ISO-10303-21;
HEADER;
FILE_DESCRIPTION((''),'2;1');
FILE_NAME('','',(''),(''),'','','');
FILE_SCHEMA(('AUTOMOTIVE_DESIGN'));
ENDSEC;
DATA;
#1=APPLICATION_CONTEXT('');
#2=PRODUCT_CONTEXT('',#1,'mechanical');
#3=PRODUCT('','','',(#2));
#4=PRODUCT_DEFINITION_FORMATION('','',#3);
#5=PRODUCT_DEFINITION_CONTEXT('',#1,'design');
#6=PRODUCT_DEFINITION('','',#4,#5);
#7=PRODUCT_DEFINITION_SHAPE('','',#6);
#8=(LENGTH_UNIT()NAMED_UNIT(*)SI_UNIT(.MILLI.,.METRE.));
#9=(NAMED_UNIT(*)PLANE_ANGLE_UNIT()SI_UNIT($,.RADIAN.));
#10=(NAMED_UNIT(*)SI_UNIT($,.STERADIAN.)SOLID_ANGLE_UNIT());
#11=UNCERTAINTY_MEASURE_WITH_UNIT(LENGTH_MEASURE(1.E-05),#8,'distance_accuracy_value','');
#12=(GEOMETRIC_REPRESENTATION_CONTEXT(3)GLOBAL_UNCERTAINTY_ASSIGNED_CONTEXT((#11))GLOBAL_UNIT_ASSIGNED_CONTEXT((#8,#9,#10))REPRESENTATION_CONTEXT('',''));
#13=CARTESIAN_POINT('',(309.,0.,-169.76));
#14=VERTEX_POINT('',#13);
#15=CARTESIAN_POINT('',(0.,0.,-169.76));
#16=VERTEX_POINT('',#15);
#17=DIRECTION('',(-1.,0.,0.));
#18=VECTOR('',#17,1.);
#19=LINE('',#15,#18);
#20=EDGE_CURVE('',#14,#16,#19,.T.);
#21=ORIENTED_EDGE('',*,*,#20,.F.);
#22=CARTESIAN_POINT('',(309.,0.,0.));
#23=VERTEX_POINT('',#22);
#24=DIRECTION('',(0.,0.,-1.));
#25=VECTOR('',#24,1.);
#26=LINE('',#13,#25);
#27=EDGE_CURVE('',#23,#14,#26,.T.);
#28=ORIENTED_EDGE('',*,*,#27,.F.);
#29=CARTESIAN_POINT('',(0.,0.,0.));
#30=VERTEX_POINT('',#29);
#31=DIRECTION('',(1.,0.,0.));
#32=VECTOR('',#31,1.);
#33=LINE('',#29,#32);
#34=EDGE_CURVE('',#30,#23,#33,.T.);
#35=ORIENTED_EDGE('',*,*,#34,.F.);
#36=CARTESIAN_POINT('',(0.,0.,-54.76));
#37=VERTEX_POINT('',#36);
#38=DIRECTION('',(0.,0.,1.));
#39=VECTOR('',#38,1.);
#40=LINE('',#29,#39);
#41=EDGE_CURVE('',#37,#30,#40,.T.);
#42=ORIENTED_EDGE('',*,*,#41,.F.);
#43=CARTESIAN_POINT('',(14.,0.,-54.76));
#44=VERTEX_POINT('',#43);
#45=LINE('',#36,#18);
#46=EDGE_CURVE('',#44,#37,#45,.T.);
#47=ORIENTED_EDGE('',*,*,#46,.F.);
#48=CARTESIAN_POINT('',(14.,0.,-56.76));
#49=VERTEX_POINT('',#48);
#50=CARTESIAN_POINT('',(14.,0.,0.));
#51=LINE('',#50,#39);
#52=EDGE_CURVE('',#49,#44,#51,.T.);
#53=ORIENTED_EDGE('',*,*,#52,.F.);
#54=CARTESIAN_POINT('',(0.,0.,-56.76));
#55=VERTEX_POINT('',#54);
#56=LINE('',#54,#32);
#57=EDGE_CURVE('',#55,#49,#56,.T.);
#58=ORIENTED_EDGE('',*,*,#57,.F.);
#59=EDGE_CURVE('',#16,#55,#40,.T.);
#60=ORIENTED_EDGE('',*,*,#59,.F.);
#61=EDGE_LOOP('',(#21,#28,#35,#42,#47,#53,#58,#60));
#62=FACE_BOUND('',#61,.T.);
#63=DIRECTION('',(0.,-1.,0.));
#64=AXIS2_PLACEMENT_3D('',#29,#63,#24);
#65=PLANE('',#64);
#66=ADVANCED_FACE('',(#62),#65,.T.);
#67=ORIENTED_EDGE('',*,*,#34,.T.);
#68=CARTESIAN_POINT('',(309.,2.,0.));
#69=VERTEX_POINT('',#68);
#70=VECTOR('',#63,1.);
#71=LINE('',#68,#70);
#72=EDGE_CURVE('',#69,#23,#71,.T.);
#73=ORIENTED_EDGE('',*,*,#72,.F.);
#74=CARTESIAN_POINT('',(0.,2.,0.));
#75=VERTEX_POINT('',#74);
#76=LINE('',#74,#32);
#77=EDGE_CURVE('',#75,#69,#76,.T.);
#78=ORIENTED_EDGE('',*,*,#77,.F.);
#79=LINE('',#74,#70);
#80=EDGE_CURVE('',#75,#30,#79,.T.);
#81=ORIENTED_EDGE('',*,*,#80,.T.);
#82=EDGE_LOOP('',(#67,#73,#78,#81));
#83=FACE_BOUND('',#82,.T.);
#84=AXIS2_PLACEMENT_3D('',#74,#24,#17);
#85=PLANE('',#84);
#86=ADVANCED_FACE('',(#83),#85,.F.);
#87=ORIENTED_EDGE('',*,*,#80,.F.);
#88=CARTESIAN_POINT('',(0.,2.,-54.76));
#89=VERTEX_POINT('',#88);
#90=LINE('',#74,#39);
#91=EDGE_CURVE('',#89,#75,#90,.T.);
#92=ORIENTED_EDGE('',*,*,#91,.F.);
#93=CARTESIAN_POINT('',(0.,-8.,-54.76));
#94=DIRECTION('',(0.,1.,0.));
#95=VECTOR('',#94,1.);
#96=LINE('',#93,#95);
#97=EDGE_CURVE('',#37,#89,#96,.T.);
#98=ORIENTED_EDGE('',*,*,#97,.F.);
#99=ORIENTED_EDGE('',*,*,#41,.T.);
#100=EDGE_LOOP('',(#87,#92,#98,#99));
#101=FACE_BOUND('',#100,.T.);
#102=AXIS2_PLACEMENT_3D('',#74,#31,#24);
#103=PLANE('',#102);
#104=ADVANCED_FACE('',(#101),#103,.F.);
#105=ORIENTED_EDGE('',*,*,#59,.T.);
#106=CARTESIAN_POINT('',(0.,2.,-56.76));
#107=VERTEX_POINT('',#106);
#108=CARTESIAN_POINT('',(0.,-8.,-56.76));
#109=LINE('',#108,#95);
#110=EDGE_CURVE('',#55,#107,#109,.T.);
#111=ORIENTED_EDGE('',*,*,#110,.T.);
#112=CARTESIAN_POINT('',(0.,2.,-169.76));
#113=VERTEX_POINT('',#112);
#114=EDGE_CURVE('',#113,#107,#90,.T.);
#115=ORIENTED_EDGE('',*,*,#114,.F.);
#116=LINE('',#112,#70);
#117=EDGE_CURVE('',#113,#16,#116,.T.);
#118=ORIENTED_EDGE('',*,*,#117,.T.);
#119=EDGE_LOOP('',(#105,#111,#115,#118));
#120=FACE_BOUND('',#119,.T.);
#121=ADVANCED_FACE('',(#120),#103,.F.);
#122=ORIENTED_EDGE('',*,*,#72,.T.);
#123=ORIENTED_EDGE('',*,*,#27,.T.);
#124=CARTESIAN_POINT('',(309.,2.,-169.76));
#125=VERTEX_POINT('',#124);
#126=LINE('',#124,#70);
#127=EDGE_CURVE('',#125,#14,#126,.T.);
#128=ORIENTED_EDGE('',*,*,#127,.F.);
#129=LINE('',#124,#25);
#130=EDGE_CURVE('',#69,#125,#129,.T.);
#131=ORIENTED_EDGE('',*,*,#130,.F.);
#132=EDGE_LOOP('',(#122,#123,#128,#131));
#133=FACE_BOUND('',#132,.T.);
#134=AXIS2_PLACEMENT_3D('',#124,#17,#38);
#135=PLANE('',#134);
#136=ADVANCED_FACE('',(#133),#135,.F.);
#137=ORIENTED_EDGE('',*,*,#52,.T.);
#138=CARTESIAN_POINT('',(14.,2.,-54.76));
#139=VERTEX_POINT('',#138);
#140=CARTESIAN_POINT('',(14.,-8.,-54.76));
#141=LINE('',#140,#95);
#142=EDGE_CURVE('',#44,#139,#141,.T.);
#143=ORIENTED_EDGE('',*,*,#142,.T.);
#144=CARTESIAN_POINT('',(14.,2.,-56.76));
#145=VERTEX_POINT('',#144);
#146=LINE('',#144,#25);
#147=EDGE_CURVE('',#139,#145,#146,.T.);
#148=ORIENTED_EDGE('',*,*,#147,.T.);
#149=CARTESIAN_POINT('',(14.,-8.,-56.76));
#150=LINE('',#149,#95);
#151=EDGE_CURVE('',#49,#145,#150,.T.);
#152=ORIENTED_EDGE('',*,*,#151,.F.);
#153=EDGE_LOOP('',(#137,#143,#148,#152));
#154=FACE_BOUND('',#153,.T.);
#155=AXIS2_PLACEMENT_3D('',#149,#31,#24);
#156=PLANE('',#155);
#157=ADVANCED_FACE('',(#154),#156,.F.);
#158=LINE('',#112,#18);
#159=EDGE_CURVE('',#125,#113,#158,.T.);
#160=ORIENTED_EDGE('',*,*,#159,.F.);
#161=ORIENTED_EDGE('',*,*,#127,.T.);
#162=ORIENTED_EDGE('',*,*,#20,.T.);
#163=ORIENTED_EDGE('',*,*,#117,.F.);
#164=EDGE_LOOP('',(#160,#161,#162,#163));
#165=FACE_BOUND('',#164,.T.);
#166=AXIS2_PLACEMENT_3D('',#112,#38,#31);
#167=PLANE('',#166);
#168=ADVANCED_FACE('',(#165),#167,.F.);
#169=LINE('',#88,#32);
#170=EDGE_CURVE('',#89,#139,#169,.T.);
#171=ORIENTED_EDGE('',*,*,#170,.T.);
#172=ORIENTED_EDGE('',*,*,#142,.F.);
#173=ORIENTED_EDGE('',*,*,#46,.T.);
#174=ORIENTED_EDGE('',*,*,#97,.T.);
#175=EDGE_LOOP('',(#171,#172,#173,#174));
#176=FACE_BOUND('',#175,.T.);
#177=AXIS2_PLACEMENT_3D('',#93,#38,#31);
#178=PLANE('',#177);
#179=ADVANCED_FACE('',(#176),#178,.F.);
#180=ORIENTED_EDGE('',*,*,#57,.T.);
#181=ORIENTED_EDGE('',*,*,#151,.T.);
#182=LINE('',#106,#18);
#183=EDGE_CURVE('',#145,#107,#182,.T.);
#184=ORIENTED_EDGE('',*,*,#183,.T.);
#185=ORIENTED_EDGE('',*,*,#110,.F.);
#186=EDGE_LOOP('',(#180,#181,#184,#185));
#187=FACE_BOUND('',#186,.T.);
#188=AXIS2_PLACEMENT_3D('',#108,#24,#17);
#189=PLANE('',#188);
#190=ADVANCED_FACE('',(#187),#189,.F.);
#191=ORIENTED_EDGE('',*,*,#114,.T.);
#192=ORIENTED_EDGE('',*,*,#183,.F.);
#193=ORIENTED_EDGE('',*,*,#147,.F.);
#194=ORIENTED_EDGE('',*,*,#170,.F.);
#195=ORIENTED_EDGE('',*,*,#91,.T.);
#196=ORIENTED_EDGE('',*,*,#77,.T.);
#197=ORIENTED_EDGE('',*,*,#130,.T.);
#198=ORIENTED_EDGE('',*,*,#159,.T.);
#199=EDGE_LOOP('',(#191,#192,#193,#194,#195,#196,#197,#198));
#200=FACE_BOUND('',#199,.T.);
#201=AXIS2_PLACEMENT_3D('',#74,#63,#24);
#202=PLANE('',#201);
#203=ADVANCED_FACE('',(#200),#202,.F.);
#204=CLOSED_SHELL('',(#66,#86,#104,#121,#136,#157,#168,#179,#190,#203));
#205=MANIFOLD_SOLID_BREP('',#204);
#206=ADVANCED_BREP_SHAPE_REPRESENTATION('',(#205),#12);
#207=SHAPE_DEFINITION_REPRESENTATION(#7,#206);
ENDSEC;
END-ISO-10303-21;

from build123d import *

# Parameters (mm, degrees)
SKETCH1_W           = 309
SKETCH1_H           = 169.76
BOSS_EXTRUDE1_DEPTH = 2
SKETCH2_W           = 14
SKETCH2_H           = 2
CUT_EXTRUDE1_DEPTH  = 10


with BuildPart() as part:
    # Sketch1 → Boss-Extrude1 (new body)
    with BuildSketch(Plane(origin=(0, 0, 0), x_dir=(1, 0, 0), z_dir=(0, 1, 0))):
        with Locations((154.5, 84.88)):
            Rectangle(SKETCH1_W, SKETCH1_H)
    extrude(amount=BOSS_EXTRUDE1_DEPTH)

    # Sketch2 → Cut-Extrude1 (cut)
    with BuildSketch(Plane(origin=(0, 2, 0), x_dir=(1, 0, 0), z_dir=(0, 1, 0))):
        with Locations((7, 55.76)):
            Rectangle(SKETCH2_W, SKETCH2_H)
    extrude(amount=-CUT_EXTRUDE1_DEPTH, mode=Mode.SUBTRACT)


solid = part.part
